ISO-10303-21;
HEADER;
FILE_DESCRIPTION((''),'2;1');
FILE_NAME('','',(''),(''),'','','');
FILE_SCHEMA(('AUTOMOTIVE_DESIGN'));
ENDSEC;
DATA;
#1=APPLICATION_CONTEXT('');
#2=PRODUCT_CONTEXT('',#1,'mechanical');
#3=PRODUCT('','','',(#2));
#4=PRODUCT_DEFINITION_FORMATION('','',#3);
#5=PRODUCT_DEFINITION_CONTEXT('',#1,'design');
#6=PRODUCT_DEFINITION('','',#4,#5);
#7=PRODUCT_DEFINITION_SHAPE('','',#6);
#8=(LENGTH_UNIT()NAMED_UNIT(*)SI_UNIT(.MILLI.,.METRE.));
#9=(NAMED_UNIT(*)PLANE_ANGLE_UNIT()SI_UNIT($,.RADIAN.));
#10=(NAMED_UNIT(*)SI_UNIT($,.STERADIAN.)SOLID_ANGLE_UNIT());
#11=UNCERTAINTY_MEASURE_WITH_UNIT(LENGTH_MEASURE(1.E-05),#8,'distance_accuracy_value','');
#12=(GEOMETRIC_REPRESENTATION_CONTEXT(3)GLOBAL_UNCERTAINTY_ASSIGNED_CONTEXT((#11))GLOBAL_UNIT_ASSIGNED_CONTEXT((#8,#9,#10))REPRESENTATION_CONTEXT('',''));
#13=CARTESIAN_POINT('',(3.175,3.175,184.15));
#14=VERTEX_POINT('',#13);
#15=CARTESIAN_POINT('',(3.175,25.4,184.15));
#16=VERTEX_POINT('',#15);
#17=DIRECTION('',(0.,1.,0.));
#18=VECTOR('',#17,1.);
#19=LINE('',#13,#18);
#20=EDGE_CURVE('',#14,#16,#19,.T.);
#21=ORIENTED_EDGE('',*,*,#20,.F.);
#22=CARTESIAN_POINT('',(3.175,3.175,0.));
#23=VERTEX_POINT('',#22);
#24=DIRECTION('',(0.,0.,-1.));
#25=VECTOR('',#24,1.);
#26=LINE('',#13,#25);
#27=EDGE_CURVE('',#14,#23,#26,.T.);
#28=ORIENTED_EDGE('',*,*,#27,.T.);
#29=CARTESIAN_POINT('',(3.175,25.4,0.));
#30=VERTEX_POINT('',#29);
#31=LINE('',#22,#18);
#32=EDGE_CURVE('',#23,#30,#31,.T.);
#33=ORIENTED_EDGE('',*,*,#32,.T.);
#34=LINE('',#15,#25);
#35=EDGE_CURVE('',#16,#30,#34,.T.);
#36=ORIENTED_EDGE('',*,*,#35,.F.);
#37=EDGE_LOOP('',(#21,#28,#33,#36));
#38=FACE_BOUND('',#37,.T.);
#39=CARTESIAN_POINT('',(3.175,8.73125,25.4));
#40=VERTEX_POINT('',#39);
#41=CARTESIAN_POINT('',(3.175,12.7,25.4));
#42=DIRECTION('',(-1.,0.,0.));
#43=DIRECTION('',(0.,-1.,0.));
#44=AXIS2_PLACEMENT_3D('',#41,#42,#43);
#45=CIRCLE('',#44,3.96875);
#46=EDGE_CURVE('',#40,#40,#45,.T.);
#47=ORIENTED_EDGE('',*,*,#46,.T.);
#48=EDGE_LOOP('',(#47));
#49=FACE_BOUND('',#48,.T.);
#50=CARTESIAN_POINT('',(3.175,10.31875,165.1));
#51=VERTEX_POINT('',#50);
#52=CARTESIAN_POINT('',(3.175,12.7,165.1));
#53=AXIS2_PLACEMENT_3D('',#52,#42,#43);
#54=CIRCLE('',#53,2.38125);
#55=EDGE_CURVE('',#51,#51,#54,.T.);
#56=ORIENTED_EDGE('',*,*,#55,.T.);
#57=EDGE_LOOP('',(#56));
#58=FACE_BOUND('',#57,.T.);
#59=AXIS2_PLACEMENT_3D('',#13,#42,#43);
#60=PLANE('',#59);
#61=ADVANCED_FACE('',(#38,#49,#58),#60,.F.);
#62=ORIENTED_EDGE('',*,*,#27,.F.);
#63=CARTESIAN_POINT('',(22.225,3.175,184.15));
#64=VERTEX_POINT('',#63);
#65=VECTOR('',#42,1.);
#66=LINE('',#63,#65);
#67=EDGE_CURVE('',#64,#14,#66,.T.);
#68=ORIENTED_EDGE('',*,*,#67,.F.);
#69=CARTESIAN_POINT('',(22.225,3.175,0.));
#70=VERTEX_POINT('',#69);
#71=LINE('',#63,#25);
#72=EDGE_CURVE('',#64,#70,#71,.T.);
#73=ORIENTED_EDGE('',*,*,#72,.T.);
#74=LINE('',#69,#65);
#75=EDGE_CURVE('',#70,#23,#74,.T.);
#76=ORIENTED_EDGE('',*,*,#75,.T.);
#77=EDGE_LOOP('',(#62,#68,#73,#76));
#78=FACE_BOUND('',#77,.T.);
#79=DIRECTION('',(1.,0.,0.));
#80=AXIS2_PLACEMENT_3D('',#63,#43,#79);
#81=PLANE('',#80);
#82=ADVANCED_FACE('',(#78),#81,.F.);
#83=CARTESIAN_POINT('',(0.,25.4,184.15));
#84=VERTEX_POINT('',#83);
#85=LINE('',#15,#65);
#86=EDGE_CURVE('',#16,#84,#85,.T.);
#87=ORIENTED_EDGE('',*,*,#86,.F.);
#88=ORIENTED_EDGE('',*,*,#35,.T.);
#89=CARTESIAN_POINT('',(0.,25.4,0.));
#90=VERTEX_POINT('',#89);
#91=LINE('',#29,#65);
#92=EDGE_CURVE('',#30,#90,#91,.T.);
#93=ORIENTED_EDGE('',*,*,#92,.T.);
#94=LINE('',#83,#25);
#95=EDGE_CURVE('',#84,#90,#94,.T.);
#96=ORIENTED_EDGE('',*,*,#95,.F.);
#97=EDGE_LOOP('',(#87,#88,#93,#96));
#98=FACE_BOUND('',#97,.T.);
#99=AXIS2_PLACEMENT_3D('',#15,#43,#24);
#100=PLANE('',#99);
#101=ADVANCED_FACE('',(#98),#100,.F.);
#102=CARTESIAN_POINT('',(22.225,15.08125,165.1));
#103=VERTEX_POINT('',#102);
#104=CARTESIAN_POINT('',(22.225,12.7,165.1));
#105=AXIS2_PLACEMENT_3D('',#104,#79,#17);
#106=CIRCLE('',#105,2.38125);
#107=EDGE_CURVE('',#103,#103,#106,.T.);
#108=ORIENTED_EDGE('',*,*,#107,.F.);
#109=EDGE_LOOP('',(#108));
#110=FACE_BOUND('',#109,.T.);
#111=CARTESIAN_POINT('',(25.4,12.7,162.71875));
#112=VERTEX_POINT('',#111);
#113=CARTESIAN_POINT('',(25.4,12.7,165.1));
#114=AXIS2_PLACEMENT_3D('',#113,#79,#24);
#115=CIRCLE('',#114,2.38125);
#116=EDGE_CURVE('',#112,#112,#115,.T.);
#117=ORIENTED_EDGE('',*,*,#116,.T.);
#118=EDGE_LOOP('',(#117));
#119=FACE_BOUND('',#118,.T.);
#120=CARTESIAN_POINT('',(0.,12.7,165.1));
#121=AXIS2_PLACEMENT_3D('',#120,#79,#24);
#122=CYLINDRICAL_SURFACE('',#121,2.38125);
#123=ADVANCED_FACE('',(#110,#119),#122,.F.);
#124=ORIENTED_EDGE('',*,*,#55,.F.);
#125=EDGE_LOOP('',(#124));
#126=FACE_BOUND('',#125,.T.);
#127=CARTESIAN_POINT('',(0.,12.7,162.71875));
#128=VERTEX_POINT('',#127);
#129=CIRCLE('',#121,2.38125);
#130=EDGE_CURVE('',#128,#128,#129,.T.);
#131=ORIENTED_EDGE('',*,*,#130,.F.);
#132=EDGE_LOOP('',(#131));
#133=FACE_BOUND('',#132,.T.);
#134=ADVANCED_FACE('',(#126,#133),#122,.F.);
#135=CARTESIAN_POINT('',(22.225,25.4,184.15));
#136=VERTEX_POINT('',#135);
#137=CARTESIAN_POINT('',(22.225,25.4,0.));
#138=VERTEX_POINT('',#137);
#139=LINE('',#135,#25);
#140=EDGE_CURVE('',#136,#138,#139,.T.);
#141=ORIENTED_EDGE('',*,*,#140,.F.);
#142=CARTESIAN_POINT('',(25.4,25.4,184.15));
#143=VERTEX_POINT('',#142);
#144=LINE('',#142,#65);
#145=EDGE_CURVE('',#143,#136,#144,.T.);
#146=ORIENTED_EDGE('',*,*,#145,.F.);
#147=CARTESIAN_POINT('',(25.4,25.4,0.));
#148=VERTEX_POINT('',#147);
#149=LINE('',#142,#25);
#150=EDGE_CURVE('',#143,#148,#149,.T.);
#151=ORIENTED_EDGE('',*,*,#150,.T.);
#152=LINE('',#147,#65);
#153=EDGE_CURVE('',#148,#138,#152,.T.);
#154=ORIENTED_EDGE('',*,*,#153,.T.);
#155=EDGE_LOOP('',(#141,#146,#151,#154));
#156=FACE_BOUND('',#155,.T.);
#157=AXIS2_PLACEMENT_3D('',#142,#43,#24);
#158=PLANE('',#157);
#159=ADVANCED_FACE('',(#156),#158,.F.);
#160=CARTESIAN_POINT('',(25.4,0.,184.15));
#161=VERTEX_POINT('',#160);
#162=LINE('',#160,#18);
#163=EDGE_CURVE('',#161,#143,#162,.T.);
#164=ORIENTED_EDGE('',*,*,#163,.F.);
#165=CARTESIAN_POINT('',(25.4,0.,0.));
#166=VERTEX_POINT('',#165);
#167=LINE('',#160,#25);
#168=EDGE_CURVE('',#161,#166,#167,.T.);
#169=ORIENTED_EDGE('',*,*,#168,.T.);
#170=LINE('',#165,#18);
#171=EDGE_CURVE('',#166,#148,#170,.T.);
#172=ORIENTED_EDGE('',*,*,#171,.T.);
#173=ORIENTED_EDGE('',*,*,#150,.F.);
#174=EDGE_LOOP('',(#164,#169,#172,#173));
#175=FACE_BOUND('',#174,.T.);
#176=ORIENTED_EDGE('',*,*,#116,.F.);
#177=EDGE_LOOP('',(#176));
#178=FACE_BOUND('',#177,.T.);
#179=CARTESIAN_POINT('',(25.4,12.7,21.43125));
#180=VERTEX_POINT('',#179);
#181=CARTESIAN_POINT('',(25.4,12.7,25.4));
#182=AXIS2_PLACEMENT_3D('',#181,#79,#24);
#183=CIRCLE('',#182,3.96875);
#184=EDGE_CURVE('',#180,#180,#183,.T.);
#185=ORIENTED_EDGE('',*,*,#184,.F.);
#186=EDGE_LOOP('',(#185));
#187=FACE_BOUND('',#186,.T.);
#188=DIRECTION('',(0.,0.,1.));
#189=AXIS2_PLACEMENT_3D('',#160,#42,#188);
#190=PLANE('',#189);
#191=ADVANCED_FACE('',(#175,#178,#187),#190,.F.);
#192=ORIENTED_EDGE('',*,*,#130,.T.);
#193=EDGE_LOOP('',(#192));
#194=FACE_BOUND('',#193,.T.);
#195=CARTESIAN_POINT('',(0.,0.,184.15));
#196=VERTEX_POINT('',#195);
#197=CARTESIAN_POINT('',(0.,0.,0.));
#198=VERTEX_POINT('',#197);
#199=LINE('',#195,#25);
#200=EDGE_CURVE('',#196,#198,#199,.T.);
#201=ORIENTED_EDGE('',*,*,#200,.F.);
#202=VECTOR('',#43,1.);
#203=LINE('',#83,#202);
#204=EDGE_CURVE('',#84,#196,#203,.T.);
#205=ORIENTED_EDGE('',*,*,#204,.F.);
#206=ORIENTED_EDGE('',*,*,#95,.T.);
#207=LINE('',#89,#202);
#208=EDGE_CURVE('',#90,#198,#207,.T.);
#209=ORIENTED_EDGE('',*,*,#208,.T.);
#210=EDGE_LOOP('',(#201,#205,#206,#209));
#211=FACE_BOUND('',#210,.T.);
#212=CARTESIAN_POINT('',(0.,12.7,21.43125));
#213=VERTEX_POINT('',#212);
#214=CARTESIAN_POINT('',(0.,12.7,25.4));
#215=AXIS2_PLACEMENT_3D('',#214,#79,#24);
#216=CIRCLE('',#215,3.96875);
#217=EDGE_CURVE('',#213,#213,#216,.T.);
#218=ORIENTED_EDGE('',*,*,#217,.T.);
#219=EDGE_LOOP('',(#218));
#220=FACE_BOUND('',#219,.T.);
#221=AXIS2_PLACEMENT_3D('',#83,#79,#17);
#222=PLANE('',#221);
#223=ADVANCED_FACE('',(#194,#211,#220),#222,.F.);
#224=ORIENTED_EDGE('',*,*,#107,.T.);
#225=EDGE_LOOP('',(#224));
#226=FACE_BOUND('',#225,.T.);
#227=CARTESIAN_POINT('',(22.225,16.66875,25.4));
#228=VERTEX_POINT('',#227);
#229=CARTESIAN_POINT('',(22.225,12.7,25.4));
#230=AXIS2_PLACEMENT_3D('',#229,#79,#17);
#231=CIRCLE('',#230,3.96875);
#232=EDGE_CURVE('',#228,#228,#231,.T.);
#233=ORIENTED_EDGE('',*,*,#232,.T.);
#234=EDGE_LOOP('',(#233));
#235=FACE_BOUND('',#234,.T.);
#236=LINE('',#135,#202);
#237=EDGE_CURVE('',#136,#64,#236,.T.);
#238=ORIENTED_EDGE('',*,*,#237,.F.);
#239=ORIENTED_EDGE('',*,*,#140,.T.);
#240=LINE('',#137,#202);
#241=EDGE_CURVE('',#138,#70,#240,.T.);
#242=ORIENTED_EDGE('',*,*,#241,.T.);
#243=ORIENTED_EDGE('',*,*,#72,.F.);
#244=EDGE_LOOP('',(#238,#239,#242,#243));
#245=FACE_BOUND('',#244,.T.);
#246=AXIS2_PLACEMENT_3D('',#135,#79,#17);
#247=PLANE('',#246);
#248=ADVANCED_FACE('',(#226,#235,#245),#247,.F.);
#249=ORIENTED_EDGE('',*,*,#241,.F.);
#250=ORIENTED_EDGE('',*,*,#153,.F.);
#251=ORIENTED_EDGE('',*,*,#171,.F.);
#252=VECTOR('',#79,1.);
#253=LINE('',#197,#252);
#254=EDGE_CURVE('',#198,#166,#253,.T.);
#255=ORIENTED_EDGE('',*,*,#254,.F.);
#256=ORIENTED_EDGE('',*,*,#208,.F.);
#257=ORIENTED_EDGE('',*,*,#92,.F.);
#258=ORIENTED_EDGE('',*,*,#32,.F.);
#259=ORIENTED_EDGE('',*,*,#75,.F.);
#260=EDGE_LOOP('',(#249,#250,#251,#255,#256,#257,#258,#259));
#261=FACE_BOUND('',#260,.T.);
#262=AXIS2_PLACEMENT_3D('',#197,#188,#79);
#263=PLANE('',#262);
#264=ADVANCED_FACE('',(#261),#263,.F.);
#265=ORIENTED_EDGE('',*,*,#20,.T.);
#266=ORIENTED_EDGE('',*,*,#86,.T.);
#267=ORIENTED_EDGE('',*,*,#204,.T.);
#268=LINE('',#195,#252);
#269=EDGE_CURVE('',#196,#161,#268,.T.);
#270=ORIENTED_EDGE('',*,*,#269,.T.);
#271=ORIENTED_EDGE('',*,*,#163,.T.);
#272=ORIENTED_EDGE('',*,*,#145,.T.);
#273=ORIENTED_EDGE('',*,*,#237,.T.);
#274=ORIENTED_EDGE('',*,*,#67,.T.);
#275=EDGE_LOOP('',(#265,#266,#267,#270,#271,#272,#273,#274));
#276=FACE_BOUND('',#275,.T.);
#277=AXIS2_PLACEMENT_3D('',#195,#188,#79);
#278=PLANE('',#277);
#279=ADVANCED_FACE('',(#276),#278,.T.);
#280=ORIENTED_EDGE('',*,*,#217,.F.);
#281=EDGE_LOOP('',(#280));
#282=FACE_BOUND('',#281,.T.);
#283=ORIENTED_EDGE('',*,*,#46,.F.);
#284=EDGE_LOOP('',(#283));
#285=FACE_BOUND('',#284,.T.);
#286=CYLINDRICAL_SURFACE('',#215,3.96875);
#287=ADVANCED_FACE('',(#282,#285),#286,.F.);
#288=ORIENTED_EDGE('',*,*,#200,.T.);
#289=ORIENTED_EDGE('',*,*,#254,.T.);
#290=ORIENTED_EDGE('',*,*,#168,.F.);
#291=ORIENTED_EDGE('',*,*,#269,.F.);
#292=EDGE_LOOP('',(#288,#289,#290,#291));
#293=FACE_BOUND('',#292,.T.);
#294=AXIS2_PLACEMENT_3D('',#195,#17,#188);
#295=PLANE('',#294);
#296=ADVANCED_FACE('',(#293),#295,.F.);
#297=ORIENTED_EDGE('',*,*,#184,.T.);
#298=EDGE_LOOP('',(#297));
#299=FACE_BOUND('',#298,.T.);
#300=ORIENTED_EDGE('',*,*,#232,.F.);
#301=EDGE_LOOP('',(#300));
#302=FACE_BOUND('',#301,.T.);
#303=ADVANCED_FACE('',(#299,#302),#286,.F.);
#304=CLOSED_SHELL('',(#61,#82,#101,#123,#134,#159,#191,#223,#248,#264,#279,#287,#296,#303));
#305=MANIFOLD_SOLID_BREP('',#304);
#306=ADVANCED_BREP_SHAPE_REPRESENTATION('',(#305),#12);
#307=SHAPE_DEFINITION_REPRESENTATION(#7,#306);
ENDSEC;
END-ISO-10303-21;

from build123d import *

# Parameters (mm, degrees)
BOSS_EXTRUDE1_DEPTH = 184.15
SKETCH2_R           = 2.38125
SKETCH2_R_2         = 3.96875
CUT_EXTRUDE1_DEPTH  = 25.4


with BuildPart() as part:
    # Sketch1 → Boss-Extrude1 (new body)
    with BuildSketch(Plane.XY):
        Polygon((0, 0), (25.4, 0), (25.4, 25.4), (22.225, 25.4), (22.225, 3.175), (3.175, 3.175), (3.175, 25.4), (0, 25.4), align=None)
    extrude(amount=BOSS_EXTRUDE1_DEPTH)

    # Sketch2 → Cut-Extrude1 (cut)
    with BuildSketch(Plane(origin=(25.4, 0, 0), x_dir=(0, 0, -1), z_dir=(1, 0, 0))):
        with Locations((-165.1, 12.7)):
            Circle(SKETCH2_R)
        with Locations((-25.4, 12.7)):
            Circle(SKETCH2_R_2)
    extrude(amount=-CUT_EXTRUDE1_DEPTH, mode=Mode.SUBTRACT)


solid = part.part
